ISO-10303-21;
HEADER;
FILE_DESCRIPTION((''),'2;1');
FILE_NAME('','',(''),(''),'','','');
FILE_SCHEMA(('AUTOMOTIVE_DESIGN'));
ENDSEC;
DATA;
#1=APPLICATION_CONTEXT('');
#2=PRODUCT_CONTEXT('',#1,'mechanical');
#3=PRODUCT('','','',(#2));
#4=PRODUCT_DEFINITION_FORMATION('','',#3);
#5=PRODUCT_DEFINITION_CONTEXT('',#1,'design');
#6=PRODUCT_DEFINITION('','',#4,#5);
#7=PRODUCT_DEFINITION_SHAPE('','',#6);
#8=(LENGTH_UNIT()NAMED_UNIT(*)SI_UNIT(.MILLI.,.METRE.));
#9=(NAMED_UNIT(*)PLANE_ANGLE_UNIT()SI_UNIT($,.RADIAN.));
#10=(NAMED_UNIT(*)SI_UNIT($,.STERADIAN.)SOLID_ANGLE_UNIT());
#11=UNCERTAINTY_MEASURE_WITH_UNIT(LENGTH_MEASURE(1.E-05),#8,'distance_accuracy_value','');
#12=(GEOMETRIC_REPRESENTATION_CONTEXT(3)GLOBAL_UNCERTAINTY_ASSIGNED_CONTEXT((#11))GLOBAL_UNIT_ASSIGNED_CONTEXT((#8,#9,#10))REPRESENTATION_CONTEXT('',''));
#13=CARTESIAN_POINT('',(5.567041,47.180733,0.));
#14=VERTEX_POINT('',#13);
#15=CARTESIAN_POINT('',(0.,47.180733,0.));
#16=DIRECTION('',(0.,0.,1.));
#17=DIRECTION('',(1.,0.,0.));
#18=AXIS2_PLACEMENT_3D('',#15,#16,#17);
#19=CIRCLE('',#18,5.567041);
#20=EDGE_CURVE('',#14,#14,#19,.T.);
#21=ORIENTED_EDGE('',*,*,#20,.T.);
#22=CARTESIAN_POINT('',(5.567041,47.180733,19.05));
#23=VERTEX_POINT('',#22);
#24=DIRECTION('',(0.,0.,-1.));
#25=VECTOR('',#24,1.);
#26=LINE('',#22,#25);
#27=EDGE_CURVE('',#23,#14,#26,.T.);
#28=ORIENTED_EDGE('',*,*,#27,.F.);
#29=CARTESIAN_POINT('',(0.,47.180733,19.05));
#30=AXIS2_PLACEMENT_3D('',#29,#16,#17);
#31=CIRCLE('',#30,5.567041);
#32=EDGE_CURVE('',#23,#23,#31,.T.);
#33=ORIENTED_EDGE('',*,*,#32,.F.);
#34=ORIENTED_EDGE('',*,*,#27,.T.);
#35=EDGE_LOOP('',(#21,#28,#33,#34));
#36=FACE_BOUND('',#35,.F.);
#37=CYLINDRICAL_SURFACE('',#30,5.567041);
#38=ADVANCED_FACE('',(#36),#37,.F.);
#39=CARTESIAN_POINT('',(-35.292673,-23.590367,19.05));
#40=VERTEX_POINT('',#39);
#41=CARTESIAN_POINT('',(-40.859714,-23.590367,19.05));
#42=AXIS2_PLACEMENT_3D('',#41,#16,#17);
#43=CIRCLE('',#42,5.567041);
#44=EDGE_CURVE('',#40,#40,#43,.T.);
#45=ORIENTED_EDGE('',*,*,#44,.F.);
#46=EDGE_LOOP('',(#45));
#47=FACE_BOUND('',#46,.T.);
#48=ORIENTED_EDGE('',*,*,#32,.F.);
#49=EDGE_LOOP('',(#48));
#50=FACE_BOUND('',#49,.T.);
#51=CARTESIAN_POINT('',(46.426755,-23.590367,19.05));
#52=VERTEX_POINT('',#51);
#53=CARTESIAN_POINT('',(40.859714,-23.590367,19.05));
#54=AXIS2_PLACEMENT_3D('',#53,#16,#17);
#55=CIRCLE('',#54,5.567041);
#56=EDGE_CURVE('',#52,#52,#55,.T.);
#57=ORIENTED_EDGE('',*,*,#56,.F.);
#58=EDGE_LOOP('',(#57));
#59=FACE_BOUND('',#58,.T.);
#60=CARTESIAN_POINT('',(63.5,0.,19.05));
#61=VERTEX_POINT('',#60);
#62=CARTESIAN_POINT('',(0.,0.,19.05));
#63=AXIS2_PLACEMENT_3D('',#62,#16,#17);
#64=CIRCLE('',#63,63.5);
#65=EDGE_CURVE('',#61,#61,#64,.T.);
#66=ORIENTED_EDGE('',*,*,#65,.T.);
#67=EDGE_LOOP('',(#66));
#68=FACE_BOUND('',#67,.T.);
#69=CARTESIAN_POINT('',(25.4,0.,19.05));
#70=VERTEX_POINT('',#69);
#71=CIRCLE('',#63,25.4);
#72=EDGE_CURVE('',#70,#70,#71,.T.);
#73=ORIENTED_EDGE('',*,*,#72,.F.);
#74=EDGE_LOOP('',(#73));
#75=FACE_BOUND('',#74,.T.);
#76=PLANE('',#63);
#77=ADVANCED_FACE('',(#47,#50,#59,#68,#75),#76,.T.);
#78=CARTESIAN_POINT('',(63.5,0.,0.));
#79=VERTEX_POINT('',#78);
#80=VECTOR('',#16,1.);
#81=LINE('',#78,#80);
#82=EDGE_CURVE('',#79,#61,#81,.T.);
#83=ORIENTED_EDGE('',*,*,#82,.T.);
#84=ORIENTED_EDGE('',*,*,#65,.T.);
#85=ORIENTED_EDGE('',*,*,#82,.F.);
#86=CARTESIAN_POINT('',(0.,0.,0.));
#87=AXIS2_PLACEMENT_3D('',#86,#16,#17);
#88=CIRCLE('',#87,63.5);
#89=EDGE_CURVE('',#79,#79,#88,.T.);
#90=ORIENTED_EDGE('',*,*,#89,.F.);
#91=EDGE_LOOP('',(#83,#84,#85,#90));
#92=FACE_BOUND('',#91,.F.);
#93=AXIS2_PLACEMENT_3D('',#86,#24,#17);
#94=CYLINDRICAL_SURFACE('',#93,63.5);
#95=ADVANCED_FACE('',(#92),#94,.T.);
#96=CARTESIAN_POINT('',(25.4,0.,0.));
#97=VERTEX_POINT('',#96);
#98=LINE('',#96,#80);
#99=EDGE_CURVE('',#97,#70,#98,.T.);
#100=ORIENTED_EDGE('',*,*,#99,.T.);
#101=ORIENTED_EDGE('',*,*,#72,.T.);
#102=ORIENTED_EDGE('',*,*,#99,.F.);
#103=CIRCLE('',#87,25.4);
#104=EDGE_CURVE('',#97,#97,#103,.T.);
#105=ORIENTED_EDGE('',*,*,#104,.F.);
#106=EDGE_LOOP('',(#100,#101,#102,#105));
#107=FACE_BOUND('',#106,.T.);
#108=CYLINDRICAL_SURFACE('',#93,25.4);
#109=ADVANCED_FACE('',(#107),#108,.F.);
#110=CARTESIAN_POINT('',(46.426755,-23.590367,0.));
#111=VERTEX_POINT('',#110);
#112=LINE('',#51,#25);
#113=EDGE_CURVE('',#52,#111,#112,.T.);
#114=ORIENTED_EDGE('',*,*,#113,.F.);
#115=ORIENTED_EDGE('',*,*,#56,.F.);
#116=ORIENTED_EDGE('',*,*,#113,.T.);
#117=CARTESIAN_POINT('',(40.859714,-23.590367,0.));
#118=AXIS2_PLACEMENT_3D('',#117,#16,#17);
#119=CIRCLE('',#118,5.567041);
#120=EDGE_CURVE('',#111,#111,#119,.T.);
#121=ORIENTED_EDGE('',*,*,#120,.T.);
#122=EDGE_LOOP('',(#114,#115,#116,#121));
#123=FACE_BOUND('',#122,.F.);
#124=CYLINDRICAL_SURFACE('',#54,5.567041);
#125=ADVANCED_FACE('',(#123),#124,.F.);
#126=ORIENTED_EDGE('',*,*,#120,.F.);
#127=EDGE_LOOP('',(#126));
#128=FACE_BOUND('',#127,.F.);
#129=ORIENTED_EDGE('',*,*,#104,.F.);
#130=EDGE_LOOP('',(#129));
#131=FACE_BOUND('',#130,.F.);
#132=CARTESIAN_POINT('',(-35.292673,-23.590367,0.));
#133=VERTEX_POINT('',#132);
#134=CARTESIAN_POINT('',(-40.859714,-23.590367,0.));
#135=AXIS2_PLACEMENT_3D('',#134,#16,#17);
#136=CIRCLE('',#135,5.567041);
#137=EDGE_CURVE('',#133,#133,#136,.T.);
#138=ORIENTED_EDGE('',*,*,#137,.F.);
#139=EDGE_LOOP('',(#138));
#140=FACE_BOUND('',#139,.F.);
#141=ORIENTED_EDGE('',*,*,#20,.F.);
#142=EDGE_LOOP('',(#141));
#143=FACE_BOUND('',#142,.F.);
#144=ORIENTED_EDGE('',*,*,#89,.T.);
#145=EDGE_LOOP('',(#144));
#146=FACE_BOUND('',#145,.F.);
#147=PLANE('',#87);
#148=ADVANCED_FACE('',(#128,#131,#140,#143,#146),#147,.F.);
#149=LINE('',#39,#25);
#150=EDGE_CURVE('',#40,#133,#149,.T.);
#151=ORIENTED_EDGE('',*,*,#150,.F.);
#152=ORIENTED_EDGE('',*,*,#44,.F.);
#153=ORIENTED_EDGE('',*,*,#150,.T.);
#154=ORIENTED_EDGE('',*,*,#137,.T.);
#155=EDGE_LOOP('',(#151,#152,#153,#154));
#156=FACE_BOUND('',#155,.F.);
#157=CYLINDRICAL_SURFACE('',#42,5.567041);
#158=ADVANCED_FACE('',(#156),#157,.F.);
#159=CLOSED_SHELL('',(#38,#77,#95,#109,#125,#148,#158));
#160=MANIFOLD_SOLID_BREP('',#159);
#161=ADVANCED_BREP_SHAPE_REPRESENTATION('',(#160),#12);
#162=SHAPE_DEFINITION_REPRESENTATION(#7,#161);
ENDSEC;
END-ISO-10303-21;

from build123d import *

# Parameters (mm, degrees)
F0_R     = 63.5
F0_R_2   = 25.4
F1_DEPTH = 19.05
F2_R     = 5.567041
F3_DEPTH = 25.4


with BuildPart() as f1:
    # F0 (on Top) → F1 (new body)
    with BuildSketch(Plane.XY):
        Circle(F0_R)
        Circle(F0_R_2, mode=Mode.SUBTRACT)
    extrude(amount=F1_DEPTH)

    # F2 (on face) → F3 (cut)
    with BuildSketch(Plane.XY.offset(19.05)):
        with Locations((0, 47.180733)):
            Circle(F2_R)
        with Locations((-40.859714, -23.590367)):
            Circle(F2_R)
        with Locations((40.859714, -23.590367)):
            Circle(F2_R)
    extrude(amount=-F3_DEPTH, mode=Mode.SUBTRACT)


solid = f1.part
